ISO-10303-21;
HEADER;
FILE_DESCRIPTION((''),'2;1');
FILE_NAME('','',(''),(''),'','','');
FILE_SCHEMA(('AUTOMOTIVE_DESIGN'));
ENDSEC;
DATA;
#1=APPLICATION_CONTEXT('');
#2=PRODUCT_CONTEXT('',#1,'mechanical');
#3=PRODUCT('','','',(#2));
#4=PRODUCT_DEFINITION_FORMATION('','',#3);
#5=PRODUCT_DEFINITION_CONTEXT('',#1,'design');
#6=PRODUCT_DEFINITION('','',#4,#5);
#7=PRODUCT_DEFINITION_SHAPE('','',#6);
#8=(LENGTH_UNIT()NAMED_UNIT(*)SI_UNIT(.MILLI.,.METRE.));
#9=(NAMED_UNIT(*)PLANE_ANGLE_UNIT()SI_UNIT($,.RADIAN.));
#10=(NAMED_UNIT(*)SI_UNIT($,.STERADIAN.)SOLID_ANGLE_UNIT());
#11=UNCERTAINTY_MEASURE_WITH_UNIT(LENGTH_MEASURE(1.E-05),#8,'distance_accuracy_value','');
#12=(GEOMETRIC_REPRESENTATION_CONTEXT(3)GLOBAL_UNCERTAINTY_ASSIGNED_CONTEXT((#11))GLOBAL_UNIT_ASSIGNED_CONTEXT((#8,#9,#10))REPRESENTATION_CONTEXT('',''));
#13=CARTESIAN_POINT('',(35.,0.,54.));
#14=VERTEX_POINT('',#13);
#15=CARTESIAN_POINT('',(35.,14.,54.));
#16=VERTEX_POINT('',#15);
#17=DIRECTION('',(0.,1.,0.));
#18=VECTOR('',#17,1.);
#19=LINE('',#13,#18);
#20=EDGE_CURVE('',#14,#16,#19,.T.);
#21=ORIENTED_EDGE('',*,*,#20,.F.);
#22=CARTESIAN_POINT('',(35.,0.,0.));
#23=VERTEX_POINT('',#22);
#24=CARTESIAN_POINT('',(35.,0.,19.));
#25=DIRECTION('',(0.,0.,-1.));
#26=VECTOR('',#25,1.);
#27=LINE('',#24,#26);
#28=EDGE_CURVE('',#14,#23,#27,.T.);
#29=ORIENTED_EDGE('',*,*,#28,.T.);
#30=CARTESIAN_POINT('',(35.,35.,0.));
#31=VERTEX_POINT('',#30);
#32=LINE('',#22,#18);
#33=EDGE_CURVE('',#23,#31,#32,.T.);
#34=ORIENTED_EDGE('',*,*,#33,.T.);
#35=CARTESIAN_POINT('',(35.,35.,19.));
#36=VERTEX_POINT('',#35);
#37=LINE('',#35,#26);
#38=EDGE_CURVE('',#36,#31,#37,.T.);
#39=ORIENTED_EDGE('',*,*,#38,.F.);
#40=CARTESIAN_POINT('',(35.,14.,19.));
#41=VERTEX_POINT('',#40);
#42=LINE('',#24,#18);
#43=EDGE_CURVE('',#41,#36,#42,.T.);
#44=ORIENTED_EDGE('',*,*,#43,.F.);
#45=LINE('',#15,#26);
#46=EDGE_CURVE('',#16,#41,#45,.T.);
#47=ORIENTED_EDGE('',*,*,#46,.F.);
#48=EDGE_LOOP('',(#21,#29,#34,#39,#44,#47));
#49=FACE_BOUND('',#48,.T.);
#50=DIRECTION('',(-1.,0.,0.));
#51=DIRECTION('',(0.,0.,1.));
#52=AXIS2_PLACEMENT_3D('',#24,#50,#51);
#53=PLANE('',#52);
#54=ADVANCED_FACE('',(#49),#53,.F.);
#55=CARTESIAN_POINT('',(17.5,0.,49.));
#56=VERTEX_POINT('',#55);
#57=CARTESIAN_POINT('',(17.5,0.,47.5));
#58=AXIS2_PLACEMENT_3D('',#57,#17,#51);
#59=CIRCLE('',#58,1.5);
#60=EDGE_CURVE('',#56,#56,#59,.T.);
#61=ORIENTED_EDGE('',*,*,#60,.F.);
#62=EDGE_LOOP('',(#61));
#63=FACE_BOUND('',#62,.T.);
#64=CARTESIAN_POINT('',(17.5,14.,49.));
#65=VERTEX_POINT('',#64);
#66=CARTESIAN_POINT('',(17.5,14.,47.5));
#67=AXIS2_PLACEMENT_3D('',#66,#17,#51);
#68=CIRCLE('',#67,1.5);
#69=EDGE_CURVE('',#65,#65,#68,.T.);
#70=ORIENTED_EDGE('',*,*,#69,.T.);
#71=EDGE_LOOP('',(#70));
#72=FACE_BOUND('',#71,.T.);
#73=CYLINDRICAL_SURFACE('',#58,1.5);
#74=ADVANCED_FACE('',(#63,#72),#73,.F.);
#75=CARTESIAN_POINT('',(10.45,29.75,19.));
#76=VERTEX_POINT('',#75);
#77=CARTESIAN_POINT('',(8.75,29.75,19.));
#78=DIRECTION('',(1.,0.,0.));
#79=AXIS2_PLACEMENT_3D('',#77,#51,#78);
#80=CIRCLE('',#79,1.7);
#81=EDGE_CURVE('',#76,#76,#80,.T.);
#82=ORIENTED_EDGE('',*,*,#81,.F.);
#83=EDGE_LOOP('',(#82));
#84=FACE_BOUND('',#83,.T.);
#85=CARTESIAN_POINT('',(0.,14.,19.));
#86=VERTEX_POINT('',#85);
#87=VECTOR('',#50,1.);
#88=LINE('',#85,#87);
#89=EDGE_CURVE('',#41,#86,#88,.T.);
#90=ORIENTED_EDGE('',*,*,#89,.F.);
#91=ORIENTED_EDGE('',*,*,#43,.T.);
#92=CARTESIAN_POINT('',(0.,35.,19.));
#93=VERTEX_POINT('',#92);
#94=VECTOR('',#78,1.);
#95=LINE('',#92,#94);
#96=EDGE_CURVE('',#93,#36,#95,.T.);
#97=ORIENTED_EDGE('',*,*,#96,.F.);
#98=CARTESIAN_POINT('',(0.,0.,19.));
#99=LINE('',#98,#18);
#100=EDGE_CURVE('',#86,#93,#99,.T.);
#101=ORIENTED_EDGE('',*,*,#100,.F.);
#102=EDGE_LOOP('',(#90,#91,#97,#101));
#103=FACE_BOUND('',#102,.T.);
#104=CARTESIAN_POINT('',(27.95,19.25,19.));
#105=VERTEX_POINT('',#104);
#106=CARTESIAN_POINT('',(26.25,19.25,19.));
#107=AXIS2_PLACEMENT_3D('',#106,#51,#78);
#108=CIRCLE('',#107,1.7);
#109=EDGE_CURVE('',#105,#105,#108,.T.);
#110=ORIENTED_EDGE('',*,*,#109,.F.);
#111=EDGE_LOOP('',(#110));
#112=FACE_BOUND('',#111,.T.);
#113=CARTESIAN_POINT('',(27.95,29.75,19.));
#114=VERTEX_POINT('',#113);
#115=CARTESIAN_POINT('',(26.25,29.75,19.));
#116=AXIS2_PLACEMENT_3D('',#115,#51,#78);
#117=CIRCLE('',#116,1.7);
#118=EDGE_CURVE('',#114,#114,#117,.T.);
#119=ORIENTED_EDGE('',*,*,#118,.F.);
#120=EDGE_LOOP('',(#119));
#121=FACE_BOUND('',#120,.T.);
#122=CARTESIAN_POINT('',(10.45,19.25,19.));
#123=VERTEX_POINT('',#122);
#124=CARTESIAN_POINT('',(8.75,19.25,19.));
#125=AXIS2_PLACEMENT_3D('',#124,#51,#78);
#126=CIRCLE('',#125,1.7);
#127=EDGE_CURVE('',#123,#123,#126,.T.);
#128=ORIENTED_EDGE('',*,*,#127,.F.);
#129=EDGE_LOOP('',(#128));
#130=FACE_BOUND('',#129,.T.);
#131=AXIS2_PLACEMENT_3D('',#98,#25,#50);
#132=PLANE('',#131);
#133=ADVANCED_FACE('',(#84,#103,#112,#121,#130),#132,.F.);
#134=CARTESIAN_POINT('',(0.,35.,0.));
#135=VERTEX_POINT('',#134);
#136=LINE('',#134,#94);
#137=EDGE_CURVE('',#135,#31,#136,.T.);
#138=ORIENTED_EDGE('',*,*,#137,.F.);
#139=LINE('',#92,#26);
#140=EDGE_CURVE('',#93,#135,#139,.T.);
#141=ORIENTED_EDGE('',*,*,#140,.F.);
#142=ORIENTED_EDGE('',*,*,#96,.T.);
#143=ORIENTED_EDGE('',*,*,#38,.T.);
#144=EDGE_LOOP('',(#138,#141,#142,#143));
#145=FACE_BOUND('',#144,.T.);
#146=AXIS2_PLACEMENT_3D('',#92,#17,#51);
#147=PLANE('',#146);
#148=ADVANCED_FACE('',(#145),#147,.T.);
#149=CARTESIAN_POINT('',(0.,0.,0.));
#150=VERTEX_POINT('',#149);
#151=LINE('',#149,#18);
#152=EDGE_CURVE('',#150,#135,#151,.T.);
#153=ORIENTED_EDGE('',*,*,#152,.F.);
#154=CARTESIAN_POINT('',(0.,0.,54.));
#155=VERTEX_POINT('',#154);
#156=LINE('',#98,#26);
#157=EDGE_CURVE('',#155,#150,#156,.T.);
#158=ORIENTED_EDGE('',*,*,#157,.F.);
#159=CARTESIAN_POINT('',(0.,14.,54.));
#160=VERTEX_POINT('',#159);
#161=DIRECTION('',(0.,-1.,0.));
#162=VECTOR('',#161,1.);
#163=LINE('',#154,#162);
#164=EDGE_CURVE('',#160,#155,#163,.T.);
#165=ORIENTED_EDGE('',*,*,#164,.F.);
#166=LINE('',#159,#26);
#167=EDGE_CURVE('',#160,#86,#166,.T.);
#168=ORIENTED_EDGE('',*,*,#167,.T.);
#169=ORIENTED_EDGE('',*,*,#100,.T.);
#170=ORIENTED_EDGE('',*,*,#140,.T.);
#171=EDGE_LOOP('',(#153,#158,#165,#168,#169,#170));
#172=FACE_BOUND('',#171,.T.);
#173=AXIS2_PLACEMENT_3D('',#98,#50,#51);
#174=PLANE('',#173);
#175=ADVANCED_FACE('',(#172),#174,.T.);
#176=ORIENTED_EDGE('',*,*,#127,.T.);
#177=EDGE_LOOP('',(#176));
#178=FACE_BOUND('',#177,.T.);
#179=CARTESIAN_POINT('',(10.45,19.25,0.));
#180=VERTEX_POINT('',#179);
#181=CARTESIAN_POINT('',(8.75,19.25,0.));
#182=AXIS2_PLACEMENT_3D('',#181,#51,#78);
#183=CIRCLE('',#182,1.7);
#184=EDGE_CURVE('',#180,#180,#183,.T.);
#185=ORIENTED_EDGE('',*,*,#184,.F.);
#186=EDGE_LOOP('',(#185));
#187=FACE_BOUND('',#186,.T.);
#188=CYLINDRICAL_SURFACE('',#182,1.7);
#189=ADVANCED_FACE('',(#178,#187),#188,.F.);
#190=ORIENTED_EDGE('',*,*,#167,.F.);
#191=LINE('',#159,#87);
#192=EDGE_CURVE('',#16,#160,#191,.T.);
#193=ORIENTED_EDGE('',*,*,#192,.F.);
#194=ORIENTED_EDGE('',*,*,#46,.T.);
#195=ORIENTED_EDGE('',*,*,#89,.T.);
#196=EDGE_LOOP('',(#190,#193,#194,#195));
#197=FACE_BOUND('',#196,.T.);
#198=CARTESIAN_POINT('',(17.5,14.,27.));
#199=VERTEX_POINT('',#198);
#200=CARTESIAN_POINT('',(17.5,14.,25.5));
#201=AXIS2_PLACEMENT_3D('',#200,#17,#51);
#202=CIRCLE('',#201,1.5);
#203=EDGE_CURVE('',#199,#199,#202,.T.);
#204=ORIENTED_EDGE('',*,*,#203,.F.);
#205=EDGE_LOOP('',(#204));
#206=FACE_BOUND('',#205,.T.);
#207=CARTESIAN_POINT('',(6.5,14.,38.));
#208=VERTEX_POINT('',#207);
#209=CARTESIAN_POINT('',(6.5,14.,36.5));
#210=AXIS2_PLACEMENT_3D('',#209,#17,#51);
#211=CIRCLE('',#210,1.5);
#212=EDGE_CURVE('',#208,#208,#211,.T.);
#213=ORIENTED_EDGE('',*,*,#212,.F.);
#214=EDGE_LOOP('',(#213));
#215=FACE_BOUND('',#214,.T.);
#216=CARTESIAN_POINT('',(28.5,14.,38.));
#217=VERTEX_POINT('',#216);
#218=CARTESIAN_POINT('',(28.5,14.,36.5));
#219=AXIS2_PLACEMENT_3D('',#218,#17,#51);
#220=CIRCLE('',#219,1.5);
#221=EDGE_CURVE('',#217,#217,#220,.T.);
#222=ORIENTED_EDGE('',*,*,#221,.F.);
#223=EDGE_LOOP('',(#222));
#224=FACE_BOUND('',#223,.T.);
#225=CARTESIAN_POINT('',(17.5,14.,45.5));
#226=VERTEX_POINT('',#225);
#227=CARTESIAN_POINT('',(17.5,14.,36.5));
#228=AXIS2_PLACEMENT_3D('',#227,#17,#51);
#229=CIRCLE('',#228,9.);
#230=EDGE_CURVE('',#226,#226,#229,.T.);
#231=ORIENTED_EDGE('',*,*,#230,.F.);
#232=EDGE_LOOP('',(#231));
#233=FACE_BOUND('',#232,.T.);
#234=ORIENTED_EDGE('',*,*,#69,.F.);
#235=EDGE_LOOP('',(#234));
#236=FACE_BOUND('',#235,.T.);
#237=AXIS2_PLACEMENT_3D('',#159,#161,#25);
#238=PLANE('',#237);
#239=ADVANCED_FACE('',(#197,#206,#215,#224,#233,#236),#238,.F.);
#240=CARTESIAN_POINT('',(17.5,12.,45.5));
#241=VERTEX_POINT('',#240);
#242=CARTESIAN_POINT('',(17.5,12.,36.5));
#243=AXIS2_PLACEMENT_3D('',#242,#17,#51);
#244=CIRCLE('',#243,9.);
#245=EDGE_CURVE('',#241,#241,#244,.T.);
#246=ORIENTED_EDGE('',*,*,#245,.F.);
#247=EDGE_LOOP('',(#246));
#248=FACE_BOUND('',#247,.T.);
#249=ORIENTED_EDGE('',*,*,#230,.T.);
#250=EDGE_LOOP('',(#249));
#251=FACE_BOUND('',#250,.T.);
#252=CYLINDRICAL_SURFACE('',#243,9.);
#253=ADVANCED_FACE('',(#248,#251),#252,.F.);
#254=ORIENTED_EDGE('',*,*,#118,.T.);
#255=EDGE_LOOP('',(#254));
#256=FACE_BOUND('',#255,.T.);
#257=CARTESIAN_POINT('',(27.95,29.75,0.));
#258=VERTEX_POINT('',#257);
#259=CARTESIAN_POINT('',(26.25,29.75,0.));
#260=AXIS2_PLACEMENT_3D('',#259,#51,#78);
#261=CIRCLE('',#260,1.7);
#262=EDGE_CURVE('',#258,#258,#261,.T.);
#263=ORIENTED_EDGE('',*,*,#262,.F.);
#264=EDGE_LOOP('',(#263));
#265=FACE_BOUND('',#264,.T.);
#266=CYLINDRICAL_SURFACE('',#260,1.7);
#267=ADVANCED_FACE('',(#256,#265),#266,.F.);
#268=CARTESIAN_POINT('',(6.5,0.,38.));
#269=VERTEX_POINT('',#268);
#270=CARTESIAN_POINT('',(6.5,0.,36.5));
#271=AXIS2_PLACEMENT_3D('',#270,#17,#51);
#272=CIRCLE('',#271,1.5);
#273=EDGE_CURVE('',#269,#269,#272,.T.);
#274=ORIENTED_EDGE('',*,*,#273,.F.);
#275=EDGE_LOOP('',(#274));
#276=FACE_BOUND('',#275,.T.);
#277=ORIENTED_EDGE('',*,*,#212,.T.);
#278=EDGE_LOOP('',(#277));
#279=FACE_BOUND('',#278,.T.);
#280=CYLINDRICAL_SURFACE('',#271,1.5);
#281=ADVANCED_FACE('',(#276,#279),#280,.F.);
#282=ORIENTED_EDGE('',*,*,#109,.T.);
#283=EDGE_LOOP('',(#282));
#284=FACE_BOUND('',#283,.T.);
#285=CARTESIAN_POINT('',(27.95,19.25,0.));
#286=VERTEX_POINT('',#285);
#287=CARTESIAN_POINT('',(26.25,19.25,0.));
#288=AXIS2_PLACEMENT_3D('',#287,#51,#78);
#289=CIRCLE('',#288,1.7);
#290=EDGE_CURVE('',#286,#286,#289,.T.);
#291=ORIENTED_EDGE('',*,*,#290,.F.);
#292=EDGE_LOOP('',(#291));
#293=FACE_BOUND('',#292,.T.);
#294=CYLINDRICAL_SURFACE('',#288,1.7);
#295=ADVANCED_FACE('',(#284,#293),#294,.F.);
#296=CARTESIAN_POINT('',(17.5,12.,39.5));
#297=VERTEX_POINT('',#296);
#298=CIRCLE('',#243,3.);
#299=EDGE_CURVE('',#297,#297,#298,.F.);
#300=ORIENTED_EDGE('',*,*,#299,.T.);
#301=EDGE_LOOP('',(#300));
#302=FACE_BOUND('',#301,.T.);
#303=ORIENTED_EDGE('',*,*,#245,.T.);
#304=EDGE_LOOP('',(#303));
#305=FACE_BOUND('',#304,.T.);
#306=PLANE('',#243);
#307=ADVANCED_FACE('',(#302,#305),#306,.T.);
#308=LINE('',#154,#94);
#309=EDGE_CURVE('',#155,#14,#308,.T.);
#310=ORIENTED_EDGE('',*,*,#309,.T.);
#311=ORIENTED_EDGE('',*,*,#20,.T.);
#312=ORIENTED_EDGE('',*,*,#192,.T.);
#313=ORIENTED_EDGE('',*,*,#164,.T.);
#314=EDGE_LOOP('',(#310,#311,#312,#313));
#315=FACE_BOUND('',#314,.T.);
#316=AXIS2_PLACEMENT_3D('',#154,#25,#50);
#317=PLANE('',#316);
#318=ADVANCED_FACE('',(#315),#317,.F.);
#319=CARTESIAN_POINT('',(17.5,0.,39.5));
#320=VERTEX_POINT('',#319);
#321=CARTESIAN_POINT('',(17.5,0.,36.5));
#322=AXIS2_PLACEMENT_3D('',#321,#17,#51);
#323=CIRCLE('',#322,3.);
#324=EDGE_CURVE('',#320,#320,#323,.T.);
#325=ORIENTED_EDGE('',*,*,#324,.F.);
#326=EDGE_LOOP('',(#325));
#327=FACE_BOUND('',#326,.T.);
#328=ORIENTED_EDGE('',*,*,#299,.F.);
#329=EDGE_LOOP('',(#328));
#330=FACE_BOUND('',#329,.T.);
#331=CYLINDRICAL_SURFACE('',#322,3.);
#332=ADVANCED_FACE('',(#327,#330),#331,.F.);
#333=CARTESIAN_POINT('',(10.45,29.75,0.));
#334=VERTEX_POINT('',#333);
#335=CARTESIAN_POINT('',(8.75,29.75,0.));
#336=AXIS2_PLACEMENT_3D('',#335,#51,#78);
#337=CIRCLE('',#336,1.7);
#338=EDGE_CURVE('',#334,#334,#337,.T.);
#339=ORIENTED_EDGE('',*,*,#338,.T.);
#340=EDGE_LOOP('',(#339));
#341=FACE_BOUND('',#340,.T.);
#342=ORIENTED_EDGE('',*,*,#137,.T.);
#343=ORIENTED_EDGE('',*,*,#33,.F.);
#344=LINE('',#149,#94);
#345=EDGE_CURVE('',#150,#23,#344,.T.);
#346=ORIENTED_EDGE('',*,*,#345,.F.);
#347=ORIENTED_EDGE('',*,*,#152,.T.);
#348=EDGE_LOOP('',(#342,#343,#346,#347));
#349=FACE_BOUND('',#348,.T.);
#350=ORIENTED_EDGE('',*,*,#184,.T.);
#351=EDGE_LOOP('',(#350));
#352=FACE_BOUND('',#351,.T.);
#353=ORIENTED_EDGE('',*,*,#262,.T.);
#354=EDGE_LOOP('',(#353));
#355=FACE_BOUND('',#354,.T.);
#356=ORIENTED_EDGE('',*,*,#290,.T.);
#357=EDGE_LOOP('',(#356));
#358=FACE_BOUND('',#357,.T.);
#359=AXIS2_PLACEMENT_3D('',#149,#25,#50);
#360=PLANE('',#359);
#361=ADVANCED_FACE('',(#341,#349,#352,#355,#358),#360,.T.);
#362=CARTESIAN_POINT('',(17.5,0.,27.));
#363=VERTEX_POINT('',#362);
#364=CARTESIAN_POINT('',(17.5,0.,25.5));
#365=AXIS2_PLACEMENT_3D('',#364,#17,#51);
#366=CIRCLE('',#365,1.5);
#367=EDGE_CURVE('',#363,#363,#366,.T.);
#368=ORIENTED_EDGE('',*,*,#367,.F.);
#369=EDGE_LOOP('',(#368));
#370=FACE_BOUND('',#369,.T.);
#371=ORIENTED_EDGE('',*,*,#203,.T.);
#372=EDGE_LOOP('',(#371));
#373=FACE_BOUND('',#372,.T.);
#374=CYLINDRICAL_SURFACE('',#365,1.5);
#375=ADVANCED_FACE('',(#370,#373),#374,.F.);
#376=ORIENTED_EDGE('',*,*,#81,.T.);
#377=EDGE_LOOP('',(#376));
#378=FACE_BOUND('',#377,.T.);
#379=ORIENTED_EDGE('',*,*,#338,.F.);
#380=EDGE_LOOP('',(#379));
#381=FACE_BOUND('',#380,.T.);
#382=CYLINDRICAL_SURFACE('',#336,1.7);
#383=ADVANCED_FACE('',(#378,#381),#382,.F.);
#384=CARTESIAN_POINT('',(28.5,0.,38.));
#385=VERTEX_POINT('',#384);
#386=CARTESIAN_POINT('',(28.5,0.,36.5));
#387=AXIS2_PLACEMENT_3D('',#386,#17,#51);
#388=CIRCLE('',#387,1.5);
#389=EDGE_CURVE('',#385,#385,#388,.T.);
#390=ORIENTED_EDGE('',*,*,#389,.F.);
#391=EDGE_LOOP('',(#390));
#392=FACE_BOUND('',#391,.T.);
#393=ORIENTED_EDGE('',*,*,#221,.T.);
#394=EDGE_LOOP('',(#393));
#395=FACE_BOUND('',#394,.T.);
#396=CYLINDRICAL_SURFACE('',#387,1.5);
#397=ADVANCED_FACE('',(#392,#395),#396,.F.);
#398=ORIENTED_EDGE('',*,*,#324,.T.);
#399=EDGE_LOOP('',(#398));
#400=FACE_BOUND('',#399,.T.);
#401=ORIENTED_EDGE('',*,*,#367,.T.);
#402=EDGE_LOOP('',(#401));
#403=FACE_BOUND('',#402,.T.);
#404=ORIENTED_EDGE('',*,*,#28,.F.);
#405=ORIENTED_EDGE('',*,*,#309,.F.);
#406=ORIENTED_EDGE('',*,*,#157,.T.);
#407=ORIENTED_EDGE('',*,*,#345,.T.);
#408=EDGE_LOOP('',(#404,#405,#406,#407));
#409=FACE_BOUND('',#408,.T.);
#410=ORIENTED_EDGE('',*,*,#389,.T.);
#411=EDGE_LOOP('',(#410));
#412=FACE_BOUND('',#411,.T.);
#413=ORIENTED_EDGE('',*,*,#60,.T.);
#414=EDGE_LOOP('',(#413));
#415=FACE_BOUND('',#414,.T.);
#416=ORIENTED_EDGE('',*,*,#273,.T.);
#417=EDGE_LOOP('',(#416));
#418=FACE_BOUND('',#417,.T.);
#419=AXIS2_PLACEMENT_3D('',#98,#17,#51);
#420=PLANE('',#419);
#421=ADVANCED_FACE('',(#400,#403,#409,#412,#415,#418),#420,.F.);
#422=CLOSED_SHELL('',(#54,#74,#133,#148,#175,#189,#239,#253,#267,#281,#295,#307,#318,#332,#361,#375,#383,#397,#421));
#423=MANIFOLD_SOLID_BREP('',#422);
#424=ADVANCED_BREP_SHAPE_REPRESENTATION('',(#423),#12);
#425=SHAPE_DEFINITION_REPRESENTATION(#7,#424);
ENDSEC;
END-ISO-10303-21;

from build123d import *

# Parameters (mm, degrees)
SKETCH1_W           = 35
SKETCH1_H           = 35
BOSS_EXTRUDE1_DEPTH = 19
SKETCH2_W           = 35
SKETCH2_H           = 14
BOSS_EXTRUDE2_DEPTH = 35
SKETCH3_R           = 3
CUT_EXTRUDE1_DEPTH  = 68.690472003
SKETCH4_R           = 9
CUT_EXTRUDE2_DEPTH  = 2
SKETCH6_R           = 1.5
CUT_EXTRUDE3_DEPTH  = 68.690472003
SKETCH7_R           = 1.7
CUT_EXTRUDE4_DEPTH  = 61.621778265


with BuildPart() as part:
    # Sketch1 → Boss-Extrude1 (new body)
    with BuildSketch(Plane.XY):
        with Locations((17.5, 17.5)):
            Rectangle(SKETCH1_W, SKETCH1_H)
    extrude(amount=BOSS_EXTRUDE1_DEPTH)

    # Sketch2 → Boss-Extrude2 (add)
    with BuildSketch(Plane.XY.offset(19)):
        with Locations((17.5, 7)):
            Rectangle(SKETCH2_W, SKETCH2_H)
    extrude(amount=BOSS_EXTRUDE2_DEPTH)

    # Sketch3 → Cut-Extrude1 (cut, through all)
    with BuildSketch(Plane(origin=(0, 14, 0), x_dir=(1, 0, 0), z_dir=(0, 1, 0))):
        with Locations(Location((17.5, -36.5, 0), (0, 0, 270))):
            Circle(SKETCH3_R)
    extrude(amount=-CUT_EXTRUDE1_DEPTH, mode=Mode.SUBTRACT)

    # Sketch4 → Cut-Extrude2 (cut)
    with BuildSketch(Plane(origin=(0, 14, 0), x_dir=(1, 0, 0), z_dir=(0, 1, 0))):
        with Locations(Location((17.5, -36.5, 0), (0, 0, 270))):
            Circle(SKETCH4_R)
    extrude(amount=-CUT_EXTRUDE2_DEPTH, mode=Mode.SUBTRACT)

    # Sketch6 → Cut-Extrude3 (cut, through all)
    with BuildSketch(Plane(origin=(0, 14, 0), x_dir=(1, 0, 0), z_dir=(0, 1, 0))):
        with Locations(Location((6.5, -36.5, 0), (0, 0, 270))):
            Circle(SKETCH6_R)
        with Locations(Location((17.5, -25.5, 0), (0, 0, 270))):
            Circle(SKETCH6_R)
        with Locations(Location((28.5, -36.5, 0), (0, 0, 270))):
            Circle(SKETCH6_R)
        with Locations(Location((17.5, -47.5, 0), (0, 0, 270))):
            Circle(SKETCH6_R)
    extrude(amount=-CUT_EXTRUDE3_DEPTH, mode=Mode.SUBTRACT)

    # Sketch7 → Cut-Extrude4 (cut, through all)
    with BuildSketch(Plane.XY.offset(19)):
        with Locations((8.75, 29.75)):
            Circle(SKETCH7_R)
        with Locations((26.25, 29.75)):
            Circle(SKETCH7_R)
        with Locations((8.75, 19.25)):
            Circle(SKETCH7_R)
        with Locations((26.25, 19.25)):
            Circle(SKETCH7_R)
    extrude(amount=-CUT_EXTRUDE4_DEPTH, mode=Mode.SUBTRACT)


solid = part.part
